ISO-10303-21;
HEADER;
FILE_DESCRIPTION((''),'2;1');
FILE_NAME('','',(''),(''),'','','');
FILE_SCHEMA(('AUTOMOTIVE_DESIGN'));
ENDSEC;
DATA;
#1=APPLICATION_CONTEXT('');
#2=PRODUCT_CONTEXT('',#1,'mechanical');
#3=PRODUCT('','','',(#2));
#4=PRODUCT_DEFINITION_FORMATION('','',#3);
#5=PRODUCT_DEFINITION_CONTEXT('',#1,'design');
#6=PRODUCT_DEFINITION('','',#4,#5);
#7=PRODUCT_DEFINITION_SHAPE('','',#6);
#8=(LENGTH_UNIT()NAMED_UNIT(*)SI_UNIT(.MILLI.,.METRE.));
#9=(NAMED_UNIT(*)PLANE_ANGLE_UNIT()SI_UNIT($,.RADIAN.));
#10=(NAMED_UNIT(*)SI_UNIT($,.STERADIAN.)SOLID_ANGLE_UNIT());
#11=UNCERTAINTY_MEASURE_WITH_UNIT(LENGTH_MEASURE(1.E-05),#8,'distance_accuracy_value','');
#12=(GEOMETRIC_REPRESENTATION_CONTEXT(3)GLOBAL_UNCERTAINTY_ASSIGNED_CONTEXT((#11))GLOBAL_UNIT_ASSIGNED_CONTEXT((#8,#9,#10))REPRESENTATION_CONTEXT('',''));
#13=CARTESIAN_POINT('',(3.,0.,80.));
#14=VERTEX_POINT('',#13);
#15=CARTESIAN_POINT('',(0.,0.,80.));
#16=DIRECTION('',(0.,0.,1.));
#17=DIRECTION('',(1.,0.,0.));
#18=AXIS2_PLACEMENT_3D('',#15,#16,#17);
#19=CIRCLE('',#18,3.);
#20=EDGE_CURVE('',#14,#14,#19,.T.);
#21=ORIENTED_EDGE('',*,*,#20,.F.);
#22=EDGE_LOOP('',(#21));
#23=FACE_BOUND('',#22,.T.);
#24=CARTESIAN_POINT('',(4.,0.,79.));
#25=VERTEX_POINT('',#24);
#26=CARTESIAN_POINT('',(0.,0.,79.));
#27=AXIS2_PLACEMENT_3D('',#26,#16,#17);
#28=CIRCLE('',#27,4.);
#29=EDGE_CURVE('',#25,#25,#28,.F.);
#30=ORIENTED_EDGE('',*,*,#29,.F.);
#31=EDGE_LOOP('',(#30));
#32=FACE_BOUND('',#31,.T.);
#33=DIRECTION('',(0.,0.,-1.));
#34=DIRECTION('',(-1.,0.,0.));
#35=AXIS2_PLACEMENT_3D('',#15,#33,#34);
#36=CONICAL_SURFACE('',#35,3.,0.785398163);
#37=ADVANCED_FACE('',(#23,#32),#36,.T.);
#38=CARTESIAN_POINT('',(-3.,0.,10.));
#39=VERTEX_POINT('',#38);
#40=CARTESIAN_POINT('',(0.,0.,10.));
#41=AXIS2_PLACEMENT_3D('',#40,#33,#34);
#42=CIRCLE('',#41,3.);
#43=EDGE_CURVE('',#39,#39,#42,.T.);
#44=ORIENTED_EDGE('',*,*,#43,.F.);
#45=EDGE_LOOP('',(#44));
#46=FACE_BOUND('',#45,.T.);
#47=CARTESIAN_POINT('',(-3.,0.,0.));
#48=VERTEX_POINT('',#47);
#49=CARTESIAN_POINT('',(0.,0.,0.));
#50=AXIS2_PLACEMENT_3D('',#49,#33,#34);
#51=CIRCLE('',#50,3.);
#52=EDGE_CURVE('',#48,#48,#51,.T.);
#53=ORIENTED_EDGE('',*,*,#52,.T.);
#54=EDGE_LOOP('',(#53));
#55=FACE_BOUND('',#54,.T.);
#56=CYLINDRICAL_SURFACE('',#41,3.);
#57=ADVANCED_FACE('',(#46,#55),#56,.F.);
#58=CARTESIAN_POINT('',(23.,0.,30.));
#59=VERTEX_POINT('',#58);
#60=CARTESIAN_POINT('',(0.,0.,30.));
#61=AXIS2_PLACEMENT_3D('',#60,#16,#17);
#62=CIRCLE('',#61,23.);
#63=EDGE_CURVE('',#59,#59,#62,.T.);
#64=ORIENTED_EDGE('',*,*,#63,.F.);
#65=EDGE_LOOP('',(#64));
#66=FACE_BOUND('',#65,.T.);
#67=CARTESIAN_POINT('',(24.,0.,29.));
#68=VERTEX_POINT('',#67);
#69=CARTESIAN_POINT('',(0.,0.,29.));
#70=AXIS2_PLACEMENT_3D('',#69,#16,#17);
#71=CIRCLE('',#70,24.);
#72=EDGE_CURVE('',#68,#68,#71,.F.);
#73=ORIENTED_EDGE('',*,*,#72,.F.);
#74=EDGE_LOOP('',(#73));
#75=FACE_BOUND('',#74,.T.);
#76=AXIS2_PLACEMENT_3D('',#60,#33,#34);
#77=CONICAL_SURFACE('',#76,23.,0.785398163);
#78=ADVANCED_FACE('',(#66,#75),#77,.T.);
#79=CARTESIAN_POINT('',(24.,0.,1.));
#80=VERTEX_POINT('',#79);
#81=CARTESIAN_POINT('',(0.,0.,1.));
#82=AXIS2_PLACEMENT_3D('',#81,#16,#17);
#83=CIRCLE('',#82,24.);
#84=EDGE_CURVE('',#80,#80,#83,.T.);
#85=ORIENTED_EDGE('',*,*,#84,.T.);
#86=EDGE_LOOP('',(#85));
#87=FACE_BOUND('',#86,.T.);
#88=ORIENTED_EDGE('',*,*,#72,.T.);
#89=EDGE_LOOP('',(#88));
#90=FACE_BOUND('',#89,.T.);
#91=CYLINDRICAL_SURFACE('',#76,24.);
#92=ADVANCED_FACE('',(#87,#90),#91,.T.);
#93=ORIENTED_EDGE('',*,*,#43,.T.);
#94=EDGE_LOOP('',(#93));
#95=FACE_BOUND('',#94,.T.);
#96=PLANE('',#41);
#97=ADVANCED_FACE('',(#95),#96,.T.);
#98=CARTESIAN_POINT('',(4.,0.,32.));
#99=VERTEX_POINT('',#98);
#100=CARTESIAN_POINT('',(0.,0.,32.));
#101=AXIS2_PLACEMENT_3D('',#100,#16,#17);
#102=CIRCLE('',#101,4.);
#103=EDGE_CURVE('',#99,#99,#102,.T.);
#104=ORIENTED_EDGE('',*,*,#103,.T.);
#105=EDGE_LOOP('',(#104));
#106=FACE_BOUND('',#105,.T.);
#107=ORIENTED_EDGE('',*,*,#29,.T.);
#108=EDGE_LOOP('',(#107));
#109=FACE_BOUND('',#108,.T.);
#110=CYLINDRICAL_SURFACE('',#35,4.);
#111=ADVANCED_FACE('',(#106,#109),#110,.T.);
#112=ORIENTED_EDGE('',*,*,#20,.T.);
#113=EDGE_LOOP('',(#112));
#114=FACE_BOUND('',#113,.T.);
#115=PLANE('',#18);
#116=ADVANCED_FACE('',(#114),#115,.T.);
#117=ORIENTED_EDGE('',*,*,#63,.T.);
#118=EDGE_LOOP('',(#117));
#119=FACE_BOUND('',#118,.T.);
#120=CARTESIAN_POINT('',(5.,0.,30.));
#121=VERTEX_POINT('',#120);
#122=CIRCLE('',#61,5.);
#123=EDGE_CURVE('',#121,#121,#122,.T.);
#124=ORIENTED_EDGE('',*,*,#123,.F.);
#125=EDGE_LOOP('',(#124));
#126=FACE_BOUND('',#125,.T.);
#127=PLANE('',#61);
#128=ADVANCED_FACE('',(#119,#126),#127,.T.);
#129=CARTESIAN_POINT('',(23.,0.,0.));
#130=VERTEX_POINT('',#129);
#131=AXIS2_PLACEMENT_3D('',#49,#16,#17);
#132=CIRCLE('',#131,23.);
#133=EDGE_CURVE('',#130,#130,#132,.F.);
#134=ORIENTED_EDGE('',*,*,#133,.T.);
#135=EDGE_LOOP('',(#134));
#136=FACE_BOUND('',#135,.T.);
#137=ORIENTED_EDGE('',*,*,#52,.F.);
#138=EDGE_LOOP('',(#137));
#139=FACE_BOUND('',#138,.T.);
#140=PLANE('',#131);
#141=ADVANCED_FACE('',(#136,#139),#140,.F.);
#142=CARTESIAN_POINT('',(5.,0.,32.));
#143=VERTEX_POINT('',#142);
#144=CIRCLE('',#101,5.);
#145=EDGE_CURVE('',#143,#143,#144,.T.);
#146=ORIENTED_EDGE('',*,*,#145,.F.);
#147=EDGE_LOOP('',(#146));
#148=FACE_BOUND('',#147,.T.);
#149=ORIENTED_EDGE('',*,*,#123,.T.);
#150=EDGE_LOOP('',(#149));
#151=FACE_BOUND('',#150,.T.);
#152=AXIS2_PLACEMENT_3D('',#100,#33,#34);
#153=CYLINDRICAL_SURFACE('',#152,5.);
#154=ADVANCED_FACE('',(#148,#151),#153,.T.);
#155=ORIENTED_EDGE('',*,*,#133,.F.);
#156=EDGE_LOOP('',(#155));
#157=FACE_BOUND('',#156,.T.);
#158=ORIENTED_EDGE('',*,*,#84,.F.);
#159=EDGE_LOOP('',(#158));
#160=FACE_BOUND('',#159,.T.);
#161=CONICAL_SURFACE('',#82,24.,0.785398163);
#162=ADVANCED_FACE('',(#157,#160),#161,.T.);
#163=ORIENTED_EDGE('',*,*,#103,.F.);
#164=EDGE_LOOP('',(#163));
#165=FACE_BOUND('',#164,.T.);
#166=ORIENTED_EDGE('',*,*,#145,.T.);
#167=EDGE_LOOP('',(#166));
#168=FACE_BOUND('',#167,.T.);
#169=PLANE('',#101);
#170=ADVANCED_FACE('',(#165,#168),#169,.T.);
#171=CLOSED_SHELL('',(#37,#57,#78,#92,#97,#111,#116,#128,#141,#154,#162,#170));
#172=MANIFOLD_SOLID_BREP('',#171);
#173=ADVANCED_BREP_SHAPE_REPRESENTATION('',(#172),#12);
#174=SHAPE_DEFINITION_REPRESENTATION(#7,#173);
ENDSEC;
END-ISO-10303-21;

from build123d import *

# Parameters (mm, degrees)
ESQUISSE1_R             = 24
BOSS_EXTRU_1_DEPTH      = 30
ESQUISSE2_R             = 4
BOSS_EXTRU_2_DEPTH      = 50
ESQUISSE3_R             = 5
BOSS_EXTRU_3_DEPTH      = 2
ESQUISSE4_R             = 3
ENL_V_MAT_EXTRU_1_DEPTH = 10
CHANFREIN1_SIZE         = 1


with BuildPart() as part:
    # Esquisse1 → Boss.-Extru.1 (new body)
    with BuildSketch(Plane.XY):
        Circle(ESQUISSE1_R)
    extrude(amount=BOSS_EXTRU_1_DEPTH)

    # Esquisse2 → Boss.-Extru.2 (add)
    with BuildSketch(Plane.XY.offset(30)):
        Circle(ESQUISSE2_R)
    extrude(amount=BOSS_EXTRU_2_DEPTH)

    # Esquisse3 → Boss.-Extru.3 (add)
    with BuildSketch(Plane.XY.offset(30)):
        Circle(ESQUISSE3_R)
    extrude(amount=BOSS_EXTRU_3_DEPTH)

    # Esquisse4 → Enlèv. mat.-Extru.1 (cut)
    with BuildSketch(Plane(origin=(0, 0, 0), x_dir=(-1, 0, 0), z_dir=(0, 0, -1))):
        Circle(ESQUISSE4_R)
    extrude(amount=-ENL_V_MAT_EXTRU_1_DEPTH, mode=Mode.SUBTRACT)

    # Chanfrein1
    chanfrein1_edges = [part.edges().sort_by_distance(p)[0] for p in [
        (-24, 0, 0),
        (-24, 0, 30),
        (-4, 0, 80),
    ]]
    chamfer(chanfrein1_edges, length=CHANFREIN1_SIZE)


solid = part.part
